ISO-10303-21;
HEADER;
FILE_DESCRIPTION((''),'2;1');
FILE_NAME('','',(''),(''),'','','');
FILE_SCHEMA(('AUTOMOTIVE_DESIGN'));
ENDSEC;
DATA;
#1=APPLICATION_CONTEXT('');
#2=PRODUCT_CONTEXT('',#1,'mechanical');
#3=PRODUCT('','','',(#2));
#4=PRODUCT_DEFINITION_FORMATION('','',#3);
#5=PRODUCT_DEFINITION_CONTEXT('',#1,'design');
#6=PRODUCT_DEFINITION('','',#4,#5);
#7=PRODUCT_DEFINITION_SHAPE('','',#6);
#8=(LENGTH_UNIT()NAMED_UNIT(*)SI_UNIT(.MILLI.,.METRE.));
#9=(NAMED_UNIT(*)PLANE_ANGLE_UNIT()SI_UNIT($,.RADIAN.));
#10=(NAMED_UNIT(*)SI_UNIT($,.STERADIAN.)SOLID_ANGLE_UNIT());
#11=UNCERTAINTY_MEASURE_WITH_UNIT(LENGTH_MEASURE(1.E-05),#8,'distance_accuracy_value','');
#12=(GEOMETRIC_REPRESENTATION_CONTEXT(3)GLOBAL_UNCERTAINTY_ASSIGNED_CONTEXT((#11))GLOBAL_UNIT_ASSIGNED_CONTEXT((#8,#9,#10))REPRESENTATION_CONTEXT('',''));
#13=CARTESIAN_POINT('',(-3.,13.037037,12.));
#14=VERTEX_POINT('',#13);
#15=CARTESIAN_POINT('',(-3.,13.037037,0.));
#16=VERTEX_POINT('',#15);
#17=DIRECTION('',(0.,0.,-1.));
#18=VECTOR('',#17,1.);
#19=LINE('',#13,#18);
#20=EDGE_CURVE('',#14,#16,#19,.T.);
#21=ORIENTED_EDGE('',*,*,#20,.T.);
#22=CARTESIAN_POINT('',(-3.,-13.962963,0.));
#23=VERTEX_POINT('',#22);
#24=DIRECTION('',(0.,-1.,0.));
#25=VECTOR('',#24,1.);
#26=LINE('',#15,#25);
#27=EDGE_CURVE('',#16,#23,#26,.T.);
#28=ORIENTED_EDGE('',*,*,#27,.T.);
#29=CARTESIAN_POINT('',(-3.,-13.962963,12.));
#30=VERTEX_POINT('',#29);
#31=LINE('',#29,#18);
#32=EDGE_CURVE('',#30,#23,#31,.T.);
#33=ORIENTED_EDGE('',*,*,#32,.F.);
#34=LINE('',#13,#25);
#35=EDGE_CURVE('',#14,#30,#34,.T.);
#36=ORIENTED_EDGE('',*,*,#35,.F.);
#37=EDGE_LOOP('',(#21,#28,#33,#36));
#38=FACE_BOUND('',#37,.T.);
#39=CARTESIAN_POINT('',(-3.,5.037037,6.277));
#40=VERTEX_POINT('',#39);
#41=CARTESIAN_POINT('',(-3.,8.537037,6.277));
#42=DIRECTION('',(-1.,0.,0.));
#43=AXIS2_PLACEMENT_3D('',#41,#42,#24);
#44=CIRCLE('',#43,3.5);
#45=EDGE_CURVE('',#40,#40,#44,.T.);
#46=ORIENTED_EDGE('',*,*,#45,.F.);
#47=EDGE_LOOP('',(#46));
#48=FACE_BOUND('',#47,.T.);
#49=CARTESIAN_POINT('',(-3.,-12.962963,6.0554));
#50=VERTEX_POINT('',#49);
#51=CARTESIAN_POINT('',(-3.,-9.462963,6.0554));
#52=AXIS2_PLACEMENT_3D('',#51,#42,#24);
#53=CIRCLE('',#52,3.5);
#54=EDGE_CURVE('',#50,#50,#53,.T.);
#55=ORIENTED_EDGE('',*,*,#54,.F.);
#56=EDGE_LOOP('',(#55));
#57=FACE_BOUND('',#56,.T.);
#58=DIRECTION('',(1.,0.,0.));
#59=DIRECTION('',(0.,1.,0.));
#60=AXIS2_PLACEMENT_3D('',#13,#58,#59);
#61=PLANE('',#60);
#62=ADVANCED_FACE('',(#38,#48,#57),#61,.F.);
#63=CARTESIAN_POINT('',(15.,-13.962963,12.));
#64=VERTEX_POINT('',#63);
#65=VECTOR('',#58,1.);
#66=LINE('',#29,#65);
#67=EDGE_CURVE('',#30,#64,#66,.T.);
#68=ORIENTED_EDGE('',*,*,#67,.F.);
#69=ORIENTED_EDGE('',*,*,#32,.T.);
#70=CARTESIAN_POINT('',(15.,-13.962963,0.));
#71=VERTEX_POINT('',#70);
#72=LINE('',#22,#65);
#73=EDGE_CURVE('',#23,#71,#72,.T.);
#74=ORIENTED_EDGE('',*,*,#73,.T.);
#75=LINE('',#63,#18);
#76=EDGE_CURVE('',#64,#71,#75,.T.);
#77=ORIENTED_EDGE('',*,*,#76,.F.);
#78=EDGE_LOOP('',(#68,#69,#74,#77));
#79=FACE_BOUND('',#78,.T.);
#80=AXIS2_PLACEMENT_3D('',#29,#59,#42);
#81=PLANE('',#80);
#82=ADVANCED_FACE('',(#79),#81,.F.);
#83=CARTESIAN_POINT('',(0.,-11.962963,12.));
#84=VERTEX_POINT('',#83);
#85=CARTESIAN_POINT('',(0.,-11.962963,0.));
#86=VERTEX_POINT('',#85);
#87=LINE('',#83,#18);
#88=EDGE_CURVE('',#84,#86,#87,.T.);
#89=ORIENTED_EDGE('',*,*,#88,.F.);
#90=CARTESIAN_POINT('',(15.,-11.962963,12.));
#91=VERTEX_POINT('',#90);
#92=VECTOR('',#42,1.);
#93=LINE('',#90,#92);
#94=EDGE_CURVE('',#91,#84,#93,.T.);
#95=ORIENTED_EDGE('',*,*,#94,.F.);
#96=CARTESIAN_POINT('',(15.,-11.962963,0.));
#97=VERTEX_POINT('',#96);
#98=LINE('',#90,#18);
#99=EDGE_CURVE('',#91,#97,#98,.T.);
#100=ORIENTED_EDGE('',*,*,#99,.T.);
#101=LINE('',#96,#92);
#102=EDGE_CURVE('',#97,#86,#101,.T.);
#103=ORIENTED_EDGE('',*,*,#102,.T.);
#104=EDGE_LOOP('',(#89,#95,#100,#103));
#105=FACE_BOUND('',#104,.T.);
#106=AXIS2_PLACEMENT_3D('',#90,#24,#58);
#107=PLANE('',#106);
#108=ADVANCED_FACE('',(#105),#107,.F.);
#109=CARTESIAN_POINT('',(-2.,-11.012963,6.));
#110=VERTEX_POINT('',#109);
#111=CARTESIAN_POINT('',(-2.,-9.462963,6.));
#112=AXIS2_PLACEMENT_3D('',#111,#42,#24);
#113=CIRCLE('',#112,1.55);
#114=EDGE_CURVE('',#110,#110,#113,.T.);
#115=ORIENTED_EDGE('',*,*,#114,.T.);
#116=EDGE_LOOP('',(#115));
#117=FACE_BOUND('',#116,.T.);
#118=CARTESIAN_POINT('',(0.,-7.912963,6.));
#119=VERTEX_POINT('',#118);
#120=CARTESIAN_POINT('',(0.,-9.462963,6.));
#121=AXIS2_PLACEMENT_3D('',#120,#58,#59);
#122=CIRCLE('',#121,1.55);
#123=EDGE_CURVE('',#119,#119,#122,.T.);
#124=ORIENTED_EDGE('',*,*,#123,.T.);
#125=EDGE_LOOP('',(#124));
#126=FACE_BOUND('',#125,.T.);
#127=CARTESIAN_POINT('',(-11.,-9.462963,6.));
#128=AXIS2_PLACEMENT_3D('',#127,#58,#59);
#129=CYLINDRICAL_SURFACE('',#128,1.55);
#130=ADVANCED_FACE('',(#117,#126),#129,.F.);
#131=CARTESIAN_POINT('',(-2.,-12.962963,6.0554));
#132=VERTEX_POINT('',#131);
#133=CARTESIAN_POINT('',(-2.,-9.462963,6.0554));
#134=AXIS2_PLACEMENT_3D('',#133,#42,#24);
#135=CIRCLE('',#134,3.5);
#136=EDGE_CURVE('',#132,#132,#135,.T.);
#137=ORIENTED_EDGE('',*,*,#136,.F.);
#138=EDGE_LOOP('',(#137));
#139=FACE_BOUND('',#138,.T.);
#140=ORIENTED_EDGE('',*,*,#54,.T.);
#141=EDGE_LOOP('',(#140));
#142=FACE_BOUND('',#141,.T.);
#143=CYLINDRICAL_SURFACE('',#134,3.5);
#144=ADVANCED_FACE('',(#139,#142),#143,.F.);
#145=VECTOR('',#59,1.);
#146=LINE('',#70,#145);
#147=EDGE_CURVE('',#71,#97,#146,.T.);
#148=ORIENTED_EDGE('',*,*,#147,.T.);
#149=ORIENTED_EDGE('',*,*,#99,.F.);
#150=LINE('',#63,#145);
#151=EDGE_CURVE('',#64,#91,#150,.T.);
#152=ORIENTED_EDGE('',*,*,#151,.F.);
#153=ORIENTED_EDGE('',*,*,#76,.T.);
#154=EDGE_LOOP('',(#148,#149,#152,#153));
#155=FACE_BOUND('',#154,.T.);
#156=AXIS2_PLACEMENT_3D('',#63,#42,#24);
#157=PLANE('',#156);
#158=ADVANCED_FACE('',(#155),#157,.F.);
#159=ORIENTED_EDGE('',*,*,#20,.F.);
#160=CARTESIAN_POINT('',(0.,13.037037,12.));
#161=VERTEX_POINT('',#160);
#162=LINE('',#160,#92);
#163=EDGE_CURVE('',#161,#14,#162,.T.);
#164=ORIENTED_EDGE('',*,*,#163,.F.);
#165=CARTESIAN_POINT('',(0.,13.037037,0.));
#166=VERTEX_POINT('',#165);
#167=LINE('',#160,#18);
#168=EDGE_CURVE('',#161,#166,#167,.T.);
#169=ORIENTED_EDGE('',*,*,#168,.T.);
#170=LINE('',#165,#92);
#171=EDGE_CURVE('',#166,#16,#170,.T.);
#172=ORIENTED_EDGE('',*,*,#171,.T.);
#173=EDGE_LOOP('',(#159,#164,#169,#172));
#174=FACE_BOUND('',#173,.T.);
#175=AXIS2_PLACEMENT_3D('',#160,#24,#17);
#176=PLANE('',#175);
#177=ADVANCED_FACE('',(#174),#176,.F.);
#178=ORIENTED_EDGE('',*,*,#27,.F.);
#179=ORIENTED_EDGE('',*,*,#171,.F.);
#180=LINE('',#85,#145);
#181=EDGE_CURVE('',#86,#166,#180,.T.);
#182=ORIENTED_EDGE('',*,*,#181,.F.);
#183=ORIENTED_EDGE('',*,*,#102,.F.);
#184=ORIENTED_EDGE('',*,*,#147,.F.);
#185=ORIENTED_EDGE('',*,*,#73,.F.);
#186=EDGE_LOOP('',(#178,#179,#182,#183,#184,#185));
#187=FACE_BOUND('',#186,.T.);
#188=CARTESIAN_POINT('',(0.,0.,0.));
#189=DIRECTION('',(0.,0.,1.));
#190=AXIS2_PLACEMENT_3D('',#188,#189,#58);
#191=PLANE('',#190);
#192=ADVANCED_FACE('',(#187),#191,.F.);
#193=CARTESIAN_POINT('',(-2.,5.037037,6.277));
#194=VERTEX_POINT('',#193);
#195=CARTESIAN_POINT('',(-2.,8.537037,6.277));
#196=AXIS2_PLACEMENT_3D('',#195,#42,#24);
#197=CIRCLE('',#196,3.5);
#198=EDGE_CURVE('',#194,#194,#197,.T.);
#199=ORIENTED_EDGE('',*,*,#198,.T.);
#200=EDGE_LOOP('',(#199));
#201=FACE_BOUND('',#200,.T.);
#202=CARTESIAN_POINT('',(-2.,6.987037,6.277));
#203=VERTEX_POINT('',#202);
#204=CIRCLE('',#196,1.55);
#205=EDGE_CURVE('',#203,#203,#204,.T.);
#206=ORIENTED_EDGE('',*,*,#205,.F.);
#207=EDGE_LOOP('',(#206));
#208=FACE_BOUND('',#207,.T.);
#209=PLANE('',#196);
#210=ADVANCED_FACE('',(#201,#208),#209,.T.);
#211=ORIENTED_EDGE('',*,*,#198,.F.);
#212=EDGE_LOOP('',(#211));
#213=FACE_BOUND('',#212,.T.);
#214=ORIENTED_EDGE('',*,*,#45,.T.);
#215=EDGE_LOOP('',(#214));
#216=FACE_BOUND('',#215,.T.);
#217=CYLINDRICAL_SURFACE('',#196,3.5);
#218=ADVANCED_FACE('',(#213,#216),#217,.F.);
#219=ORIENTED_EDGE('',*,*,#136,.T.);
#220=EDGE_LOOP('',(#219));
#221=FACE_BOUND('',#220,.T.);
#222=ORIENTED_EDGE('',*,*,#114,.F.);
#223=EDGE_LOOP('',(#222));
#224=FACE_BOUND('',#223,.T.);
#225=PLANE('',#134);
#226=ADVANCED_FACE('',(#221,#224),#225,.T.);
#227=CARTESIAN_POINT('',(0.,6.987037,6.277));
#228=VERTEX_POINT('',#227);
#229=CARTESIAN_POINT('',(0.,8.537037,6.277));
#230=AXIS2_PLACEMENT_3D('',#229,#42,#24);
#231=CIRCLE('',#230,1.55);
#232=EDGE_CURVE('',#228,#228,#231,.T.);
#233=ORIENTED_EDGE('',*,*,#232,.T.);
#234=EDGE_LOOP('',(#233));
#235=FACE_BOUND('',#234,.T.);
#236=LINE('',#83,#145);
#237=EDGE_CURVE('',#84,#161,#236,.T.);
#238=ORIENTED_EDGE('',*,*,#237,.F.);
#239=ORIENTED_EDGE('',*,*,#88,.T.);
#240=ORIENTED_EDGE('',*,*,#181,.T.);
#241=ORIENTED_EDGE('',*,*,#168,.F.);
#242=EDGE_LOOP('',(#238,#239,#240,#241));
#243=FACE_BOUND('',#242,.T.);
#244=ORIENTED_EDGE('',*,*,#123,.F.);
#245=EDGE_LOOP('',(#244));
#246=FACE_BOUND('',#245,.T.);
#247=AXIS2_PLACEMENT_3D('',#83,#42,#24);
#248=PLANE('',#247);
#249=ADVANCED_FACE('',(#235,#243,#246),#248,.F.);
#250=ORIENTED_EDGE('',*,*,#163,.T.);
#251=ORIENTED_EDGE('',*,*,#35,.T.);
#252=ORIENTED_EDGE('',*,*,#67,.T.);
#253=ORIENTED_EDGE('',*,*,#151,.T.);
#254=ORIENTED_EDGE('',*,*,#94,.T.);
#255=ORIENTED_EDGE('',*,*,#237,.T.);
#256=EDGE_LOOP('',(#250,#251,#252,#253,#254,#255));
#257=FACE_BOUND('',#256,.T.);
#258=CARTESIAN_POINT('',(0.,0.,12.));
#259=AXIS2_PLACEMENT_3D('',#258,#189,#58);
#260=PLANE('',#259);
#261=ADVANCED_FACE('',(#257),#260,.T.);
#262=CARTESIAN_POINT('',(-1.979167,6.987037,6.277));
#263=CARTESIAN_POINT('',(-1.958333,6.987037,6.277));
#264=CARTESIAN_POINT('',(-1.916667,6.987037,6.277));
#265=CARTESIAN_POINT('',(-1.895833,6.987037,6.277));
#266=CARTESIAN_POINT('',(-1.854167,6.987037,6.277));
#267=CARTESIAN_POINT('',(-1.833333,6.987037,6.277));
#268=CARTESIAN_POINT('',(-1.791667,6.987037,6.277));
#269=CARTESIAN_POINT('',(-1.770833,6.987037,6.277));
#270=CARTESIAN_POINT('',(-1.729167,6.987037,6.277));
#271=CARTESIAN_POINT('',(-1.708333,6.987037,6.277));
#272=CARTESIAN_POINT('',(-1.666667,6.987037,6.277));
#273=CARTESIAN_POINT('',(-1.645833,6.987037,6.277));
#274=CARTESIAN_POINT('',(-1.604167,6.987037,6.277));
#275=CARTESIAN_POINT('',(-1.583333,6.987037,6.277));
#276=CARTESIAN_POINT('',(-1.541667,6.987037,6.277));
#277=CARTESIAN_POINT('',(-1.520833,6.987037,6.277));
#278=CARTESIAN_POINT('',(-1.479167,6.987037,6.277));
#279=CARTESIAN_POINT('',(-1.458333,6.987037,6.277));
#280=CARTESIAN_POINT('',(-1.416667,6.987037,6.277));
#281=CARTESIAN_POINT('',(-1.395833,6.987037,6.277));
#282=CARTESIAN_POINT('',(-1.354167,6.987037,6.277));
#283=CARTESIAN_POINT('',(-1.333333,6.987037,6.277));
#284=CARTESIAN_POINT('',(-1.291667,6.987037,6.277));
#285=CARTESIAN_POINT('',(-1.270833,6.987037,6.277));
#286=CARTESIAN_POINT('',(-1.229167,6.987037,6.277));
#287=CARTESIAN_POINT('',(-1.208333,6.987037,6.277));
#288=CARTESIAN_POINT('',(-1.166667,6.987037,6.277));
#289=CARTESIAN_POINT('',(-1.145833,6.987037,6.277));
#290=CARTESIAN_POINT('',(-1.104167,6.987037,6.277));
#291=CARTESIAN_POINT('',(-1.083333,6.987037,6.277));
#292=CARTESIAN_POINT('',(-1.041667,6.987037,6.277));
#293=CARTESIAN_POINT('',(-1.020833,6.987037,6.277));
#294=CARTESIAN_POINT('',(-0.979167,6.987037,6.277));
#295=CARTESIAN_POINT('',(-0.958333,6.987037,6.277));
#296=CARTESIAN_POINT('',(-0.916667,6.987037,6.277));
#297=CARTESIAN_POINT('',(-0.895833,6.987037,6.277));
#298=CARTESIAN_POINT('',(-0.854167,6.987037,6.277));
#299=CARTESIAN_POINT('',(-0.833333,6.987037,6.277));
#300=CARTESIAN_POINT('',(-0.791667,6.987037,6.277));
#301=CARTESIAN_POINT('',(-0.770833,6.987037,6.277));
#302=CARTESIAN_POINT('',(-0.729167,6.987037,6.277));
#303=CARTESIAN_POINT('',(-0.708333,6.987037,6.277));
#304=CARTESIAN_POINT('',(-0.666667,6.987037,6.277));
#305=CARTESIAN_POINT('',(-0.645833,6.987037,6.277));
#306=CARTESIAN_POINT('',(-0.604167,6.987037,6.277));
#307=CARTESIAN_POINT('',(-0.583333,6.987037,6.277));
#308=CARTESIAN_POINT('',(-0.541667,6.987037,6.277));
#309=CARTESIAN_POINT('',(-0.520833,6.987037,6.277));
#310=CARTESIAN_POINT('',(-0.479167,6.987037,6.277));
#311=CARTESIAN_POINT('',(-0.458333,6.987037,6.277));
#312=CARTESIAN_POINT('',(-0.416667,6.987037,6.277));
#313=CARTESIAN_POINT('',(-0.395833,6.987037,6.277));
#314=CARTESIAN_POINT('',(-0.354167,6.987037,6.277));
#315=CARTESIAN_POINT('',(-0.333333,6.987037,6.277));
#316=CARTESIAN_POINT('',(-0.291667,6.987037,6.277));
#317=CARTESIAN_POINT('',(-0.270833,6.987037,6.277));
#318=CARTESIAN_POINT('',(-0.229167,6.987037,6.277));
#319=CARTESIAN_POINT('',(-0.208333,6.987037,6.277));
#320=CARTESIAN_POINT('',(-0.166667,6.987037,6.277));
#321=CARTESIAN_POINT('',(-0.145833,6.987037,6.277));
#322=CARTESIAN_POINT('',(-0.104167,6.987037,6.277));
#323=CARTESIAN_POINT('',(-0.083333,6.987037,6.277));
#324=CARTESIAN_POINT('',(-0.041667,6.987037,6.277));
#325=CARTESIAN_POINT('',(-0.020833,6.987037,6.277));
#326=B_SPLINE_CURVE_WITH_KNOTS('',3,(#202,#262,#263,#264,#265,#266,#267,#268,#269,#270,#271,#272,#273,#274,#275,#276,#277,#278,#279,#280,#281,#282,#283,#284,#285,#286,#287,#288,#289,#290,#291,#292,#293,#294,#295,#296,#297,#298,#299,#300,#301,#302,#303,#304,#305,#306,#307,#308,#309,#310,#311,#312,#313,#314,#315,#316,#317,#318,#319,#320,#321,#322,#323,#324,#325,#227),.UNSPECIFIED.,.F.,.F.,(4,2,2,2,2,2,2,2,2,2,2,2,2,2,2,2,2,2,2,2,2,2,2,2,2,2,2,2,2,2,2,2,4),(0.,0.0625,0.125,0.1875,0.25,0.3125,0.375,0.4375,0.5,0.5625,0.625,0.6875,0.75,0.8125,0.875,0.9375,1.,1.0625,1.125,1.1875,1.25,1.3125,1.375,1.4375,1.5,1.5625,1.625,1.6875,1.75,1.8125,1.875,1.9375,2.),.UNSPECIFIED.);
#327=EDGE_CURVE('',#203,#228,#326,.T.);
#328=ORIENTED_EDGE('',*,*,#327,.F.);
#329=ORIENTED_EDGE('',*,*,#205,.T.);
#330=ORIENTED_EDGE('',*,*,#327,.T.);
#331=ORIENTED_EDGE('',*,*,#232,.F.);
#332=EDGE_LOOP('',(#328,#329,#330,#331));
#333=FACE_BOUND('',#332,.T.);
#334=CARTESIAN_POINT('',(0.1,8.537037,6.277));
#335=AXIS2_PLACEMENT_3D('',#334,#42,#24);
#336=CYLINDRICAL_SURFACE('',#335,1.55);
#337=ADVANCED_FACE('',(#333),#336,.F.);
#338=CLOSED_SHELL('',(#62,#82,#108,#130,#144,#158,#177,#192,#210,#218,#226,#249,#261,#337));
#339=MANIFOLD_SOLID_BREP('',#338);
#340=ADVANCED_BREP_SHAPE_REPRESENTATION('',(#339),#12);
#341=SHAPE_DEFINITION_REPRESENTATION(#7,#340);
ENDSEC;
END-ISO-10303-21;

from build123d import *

# Parameters (mm, degrees)
BOSS_EXTRUDE1_DEPTH = 12
SKETCH2_R           = 3.5
CUT_EXTRUDE1_DEPTH  = 1
SKETCH3_R           = 1.55
CUT_EXTRUDE2_DEPTH  = 3.1
SKETCH5_R           = 1.55
CUT_EXTRUDE3_DEPTH  = 11


with BuildPart() as part:
    # Sketch1 → Boss-Extrude1 (new body)
    with BuildSketch(Plane.XY):
        Polygon((0, 13.037037037), (-3, 13.037037037), (-3, -13.962962963), (15, -13.962962963), (15, -11.962962963), (0, -11.962962963), align=None)
    extrude(amount=BOSS_EXTRUDE1_DEPTH)

    # Sketch2 → Cut-Extrude1 (cut)
    with BuildSketch(Plane.ZY.offset(3)):
        with Locations(Location((6.055399975, -9.462962963, 0), (0, 0, 270))):
            Circle(SKETCH2_R)
        with Locations(Location((6.276999876, 8.537037037, 0), (0, 0, 270))):
            Circle(SKETCH2_R)
    extrude(amount=-CUT_EXTRUDE1_DEPTH, mode=Mode.SUBTRACT)

    # Sketch3 → Cut-Extrude2 (cut)
    with BuildSketch(Plane.ZY.offset(3)):
        with Locations(Location((6.276999876, 8.537037037, 0), (0, 0, 270))):
            Circle(SKETCH3_R)
    extrude(amount=-CUT_EXTRUDE2_DEPTH, mode=Mode.SUBTRACT)

    # Sketch5 → Cut-Extrude3 (cut)
    with BuildSketch(Plane(origin=(0, 0, 0), x_dir=(0, 0, -1), z_dir=(1, 0, 0))):
        with Locations(Location((-6, -9.462962963, 0), (0, 0, 90))):
            Circle(SKETCH5_R)
    extrude(amount=-CUT_EXTRUDE3_DEPTH, mode=Mode.SUBTRACT)


solid = part.part
